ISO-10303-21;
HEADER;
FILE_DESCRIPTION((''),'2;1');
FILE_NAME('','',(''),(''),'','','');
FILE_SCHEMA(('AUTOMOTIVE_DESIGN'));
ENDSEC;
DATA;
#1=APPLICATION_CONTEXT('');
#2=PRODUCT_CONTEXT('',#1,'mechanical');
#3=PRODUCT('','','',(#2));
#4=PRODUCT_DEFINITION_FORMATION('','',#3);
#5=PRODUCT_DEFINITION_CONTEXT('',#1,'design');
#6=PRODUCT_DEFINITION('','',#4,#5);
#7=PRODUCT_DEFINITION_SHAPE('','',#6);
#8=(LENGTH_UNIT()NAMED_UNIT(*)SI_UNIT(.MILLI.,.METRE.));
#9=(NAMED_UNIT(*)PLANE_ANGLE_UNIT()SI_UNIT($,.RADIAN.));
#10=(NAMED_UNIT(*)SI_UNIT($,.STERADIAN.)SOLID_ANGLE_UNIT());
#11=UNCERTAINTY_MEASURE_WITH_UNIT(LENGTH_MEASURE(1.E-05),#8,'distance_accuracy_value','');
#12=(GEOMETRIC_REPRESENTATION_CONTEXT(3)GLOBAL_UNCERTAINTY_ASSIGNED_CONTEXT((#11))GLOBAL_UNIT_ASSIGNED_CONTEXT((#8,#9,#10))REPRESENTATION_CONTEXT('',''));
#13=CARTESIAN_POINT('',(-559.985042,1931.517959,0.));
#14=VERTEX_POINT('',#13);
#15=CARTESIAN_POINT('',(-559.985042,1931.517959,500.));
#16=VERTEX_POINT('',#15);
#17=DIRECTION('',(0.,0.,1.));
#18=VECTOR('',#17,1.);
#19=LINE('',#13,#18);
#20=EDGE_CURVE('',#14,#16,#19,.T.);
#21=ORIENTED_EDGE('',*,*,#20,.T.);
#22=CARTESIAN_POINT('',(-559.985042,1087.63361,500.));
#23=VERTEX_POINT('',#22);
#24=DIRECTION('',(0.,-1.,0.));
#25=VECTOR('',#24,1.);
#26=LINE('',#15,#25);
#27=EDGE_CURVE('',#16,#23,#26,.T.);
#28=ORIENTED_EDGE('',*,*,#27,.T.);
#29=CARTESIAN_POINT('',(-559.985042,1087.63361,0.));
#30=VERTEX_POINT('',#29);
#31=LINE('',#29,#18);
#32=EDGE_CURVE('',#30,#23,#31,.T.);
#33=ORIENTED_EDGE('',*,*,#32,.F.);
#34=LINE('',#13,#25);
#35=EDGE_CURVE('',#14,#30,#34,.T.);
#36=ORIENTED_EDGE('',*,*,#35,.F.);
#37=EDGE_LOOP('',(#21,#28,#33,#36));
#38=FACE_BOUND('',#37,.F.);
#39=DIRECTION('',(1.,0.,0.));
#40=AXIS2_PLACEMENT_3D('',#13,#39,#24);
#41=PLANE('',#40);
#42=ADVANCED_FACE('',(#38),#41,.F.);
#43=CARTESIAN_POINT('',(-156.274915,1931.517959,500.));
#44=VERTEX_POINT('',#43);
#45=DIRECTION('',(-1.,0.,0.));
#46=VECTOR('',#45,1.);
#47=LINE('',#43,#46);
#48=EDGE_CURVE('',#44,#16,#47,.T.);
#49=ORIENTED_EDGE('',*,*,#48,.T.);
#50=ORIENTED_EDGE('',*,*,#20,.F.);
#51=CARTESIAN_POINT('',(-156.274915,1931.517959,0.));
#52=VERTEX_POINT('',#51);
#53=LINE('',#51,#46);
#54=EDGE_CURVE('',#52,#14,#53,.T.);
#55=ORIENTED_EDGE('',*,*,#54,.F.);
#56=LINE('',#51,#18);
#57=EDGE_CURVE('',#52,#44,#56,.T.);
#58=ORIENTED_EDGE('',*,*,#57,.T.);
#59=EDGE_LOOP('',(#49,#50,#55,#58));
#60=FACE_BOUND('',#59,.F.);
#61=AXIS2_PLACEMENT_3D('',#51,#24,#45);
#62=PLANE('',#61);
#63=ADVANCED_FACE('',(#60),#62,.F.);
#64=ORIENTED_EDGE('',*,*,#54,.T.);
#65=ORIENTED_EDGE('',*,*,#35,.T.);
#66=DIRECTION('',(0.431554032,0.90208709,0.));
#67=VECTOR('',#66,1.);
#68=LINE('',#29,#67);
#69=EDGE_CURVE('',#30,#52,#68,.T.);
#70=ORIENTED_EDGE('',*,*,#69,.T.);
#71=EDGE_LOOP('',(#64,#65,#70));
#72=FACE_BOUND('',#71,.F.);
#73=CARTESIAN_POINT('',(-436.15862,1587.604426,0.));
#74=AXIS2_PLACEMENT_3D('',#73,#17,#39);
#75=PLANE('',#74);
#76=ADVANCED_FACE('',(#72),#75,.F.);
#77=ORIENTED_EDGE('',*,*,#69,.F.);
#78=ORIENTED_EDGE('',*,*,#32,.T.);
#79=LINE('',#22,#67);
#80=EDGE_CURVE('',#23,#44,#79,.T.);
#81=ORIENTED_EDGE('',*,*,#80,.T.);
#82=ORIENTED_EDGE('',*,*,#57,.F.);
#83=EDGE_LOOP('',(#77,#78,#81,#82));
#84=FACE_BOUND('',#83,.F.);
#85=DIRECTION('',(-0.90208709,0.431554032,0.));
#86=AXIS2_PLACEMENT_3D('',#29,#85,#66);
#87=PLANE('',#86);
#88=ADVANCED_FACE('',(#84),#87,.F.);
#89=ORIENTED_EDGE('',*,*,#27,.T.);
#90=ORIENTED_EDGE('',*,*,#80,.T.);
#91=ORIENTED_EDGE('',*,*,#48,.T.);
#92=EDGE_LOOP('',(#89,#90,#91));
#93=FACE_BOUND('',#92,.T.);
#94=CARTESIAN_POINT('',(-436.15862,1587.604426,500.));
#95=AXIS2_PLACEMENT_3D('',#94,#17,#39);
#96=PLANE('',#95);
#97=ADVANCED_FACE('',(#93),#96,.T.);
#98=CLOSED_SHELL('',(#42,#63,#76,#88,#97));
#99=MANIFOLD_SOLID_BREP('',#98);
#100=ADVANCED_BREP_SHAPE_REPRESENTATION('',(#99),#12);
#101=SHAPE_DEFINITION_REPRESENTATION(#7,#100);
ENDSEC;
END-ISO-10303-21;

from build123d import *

# Parameters (mm, degrees)
F3_DEPTH = 500


with BuildPart() as f3:
    # F2 (on face) → F3 (new body)
    with BuildSketch(Plane.XY):
        Polygon((-559.985042, 1931.517959), (-559.985042, 1087.63361), (-156.274915, 1931.517959), align=None)
    extrude(amount=F3_DEPTH)


solid = f3.part
